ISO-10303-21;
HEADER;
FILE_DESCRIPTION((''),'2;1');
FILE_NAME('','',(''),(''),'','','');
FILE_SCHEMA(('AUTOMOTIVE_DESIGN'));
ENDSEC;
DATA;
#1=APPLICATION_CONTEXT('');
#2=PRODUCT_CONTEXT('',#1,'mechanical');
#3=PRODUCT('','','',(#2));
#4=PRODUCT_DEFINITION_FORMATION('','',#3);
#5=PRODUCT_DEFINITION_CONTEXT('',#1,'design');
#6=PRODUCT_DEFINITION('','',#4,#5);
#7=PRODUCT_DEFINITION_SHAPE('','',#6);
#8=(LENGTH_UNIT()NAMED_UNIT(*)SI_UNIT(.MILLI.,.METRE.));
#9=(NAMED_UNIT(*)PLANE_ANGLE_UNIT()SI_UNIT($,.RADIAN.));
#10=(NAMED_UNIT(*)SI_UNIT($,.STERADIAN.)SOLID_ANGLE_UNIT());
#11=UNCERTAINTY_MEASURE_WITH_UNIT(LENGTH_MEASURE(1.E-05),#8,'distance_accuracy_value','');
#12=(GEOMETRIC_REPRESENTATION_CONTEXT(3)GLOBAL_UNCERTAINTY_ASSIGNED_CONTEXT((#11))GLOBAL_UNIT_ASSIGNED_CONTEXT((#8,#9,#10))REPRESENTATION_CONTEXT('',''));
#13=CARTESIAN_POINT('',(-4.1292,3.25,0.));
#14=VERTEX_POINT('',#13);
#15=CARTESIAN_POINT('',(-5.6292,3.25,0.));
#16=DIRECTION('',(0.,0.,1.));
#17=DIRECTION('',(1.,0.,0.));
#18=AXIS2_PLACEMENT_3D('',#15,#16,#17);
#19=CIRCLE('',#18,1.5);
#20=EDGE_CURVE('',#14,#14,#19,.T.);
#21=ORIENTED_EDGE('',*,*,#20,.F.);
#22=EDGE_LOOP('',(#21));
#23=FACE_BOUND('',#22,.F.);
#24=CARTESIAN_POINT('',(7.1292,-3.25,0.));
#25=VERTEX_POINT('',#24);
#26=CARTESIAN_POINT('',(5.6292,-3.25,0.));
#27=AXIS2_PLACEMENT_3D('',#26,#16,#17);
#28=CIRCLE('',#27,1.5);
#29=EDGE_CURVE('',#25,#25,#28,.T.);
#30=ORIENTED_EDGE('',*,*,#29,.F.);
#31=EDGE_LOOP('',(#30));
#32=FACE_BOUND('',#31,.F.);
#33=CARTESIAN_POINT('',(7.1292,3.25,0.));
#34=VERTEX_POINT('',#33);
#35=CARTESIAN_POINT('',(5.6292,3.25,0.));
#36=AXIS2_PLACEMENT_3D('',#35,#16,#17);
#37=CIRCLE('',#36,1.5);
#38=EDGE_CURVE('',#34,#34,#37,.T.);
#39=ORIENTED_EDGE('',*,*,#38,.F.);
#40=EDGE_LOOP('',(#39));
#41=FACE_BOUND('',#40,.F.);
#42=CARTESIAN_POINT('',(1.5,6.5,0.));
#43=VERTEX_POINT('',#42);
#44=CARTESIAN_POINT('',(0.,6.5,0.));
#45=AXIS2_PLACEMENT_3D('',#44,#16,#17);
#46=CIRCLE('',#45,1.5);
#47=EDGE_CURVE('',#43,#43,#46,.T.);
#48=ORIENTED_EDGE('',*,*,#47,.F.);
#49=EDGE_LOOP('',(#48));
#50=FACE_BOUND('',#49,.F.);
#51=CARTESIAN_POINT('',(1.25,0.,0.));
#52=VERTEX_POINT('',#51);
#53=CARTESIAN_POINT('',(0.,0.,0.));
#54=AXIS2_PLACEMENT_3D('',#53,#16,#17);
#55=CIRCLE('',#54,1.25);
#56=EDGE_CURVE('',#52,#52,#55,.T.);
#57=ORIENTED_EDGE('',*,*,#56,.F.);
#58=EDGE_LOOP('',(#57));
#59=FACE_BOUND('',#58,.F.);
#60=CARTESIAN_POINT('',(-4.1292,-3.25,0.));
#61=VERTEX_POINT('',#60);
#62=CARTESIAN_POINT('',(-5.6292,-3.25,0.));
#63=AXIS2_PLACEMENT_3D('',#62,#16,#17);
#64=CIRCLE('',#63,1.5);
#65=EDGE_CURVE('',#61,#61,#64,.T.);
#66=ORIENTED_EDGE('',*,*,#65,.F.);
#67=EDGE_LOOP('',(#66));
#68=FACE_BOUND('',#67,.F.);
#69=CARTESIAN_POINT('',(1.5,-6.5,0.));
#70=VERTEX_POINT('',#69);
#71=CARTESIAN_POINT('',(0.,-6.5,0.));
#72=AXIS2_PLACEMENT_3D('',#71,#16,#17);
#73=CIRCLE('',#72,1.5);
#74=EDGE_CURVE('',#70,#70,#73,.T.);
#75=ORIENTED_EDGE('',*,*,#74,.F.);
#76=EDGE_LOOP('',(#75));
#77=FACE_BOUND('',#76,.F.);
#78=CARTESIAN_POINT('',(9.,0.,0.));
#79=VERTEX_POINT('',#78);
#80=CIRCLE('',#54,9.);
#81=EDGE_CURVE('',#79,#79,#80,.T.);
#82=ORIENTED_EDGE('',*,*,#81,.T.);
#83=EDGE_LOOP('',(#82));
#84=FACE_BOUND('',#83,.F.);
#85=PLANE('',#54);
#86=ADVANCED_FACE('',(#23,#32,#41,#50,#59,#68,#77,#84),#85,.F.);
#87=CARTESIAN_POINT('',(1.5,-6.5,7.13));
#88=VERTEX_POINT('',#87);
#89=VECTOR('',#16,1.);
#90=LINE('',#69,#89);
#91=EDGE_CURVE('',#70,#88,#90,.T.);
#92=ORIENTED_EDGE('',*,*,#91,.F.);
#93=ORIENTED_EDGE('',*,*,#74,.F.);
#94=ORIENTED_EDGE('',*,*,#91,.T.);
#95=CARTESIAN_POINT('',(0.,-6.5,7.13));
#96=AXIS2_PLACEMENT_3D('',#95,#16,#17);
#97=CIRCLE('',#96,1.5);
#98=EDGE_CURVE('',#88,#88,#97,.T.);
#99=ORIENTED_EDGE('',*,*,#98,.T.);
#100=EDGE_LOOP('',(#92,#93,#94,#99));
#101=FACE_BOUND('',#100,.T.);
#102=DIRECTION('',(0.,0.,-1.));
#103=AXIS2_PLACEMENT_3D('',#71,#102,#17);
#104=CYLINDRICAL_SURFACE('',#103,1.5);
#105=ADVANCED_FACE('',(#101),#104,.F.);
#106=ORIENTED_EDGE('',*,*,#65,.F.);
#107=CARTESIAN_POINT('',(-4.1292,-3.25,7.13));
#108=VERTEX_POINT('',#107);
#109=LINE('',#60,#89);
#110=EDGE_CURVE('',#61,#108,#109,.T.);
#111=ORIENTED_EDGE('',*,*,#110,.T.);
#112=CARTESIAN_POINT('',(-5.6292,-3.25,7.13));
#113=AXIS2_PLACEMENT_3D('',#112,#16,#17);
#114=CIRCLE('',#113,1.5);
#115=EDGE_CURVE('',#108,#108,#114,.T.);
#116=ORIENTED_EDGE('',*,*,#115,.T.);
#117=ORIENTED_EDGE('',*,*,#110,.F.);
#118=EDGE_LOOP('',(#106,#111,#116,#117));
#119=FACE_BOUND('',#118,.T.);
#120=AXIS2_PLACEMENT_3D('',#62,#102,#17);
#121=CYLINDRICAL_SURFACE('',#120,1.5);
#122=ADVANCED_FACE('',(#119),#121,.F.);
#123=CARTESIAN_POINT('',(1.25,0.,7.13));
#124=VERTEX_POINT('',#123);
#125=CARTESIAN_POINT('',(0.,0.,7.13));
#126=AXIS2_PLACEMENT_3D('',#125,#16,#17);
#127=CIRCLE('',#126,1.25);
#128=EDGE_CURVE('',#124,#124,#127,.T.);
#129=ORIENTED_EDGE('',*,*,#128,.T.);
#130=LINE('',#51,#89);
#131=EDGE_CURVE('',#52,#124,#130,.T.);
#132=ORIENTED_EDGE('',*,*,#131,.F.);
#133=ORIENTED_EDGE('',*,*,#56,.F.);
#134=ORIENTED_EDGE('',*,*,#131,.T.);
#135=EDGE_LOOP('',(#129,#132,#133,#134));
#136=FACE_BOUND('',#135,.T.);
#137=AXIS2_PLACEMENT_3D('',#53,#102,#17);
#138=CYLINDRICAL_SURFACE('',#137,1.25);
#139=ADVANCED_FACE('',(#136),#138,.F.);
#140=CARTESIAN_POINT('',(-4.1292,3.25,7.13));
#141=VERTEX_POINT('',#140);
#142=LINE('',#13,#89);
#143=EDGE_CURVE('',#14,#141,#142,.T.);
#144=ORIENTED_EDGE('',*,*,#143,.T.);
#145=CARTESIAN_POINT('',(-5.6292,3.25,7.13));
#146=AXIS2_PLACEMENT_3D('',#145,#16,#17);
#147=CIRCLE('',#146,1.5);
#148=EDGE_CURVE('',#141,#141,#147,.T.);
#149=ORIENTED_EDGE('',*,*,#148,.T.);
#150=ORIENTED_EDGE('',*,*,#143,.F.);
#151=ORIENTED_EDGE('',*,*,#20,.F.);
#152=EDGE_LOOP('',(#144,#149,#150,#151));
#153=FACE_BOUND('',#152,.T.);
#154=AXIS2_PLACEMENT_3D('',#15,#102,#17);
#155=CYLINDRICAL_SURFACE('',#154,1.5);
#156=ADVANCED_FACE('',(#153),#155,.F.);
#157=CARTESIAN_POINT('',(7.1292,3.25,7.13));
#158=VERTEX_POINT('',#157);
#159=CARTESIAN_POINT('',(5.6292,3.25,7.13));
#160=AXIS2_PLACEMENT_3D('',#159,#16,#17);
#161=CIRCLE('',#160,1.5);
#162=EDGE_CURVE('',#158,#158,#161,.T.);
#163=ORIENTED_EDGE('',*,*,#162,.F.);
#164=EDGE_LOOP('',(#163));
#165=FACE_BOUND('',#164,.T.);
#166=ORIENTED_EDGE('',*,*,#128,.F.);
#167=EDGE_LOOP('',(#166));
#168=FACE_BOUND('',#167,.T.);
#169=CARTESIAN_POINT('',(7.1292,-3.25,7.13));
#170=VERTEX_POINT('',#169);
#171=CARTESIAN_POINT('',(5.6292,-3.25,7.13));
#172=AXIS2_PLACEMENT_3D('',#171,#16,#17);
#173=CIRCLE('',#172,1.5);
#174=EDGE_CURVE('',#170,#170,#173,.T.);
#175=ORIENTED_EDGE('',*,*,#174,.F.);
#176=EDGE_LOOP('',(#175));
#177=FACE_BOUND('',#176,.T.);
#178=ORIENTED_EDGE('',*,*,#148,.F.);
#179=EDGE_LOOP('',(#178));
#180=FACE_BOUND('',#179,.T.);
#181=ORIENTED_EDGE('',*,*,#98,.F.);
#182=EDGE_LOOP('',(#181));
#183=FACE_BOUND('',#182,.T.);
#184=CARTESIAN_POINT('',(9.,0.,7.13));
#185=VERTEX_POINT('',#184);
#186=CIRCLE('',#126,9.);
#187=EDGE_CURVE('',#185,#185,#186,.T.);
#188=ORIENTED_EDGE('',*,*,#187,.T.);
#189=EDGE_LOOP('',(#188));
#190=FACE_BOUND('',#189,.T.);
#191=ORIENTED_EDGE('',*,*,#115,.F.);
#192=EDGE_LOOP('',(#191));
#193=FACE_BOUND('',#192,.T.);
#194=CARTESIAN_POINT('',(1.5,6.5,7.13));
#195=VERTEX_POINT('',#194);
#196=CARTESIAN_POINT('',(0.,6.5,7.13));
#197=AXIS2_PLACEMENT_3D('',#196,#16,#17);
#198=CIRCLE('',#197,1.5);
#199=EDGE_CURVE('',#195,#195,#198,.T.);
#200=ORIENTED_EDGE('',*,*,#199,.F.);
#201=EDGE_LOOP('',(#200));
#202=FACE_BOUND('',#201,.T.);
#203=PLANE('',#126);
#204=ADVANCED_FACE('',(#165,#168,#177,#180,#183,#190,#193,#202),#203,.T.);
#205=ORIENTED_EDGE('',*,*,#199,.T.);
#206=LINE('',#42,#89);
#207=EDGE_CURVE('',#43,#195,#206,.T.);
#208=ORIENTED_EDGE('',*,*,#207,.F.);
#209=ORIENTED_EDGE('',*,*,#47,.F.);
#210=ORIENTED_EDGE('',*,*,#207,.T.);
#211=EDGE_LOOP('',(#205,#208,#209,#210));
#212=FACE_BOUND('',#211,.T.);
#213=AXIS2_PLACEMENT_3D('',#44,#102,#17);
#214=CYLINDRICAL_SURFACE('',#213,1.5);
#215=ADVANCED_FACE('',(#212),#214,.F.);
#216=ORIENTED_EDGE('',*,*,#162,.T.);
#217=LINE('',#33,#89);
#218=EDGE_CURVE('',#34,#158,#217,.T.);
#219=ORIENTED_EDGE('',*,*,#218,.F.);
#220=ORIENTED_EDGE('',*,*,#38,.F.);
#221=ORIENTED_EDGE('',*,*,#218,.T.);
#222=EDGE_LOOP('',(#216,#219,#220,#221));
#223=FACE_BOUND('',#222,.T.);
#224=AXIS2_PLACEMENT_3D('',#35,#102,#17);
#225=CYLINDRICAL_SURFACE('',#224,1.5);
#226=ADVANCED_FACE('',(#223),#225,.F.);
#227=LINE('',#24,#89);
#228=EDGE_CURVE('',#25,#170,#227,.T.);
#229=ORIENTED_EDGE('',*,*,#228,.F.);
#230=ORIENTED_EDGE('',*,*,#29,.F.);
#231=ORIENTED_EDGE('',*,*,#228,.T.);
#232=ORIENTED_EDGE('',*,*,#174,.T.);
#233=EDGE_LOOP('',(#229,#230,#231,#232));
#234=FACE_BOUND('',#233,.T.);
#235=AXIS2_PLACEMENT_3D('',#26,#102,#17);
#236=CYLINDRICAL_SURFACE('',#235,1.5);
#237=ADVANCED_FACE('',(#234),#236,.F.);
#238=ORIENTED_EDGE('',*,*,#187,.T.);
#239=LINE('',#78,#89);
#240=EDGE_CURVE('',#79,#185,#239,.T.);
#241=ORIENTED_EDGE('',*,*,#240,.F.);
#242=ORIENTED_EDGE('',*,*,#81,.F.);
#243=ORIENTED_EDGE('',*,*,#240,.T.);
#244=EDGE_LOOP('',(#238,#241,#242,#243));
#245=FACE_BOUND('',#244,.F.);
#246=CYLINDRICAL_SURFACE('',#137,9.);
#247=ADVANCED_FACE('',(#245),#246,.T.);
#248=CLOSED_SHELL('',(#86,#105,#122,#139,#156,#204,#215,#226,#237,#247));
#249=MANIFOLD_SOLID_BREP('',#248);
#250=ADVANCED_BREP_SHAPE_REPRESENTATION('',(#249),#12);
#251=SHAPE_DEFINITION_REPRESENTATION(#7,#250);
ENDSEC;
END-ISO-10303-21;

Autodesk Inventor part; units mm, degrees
ref_plane "YZ Plane" through (0, 0, 0) normal (1, 0, 0) x (0, 1, 0)
ref_plane "XZ Plane" through (0, 0, 0) normal (0, 1, 0) x (-1, 0, 0)
sketch "Sketch1" plane through (0, 0, 0) normal (0, 0, 1) x (1, 0, 0)
  point P0 (0, 0)
sketch "Sketch2" plane through (0, 0, 0) normal (0, 0, 1) x (1, 0, 0)
  circle A0 centre (0, 0) radius 1.25 projected
  circle A1 centre (-5.6292, 3.25) radius 1.5 projected
  circle A2 centre (5.6292, -3.25) radius 1.5 projected
  circle A3 centre (0, 6.5) radius 1.5 projected
  circle A4 centre (-5.6292, -3.25) radius 1.5 projected
  circle A5 centre (0, -6.5) radius 1.5 projected
  circle A6 centre (5.6292, 3.25) radius 1.5 projected
  circle A7 centre (0, 0) radius 9 projected
  point P0 (0, 0)
ref_plane "Work Plane1" through (148.8207, 117.8259, 7.13) normal (0, 0, -1) x (-0.6254, 0.7803, 0)
extrude "Extrusion1" add sketch "Sketch2" along normal up to surface (7.13 mm away)
properties part number "servo flange"
